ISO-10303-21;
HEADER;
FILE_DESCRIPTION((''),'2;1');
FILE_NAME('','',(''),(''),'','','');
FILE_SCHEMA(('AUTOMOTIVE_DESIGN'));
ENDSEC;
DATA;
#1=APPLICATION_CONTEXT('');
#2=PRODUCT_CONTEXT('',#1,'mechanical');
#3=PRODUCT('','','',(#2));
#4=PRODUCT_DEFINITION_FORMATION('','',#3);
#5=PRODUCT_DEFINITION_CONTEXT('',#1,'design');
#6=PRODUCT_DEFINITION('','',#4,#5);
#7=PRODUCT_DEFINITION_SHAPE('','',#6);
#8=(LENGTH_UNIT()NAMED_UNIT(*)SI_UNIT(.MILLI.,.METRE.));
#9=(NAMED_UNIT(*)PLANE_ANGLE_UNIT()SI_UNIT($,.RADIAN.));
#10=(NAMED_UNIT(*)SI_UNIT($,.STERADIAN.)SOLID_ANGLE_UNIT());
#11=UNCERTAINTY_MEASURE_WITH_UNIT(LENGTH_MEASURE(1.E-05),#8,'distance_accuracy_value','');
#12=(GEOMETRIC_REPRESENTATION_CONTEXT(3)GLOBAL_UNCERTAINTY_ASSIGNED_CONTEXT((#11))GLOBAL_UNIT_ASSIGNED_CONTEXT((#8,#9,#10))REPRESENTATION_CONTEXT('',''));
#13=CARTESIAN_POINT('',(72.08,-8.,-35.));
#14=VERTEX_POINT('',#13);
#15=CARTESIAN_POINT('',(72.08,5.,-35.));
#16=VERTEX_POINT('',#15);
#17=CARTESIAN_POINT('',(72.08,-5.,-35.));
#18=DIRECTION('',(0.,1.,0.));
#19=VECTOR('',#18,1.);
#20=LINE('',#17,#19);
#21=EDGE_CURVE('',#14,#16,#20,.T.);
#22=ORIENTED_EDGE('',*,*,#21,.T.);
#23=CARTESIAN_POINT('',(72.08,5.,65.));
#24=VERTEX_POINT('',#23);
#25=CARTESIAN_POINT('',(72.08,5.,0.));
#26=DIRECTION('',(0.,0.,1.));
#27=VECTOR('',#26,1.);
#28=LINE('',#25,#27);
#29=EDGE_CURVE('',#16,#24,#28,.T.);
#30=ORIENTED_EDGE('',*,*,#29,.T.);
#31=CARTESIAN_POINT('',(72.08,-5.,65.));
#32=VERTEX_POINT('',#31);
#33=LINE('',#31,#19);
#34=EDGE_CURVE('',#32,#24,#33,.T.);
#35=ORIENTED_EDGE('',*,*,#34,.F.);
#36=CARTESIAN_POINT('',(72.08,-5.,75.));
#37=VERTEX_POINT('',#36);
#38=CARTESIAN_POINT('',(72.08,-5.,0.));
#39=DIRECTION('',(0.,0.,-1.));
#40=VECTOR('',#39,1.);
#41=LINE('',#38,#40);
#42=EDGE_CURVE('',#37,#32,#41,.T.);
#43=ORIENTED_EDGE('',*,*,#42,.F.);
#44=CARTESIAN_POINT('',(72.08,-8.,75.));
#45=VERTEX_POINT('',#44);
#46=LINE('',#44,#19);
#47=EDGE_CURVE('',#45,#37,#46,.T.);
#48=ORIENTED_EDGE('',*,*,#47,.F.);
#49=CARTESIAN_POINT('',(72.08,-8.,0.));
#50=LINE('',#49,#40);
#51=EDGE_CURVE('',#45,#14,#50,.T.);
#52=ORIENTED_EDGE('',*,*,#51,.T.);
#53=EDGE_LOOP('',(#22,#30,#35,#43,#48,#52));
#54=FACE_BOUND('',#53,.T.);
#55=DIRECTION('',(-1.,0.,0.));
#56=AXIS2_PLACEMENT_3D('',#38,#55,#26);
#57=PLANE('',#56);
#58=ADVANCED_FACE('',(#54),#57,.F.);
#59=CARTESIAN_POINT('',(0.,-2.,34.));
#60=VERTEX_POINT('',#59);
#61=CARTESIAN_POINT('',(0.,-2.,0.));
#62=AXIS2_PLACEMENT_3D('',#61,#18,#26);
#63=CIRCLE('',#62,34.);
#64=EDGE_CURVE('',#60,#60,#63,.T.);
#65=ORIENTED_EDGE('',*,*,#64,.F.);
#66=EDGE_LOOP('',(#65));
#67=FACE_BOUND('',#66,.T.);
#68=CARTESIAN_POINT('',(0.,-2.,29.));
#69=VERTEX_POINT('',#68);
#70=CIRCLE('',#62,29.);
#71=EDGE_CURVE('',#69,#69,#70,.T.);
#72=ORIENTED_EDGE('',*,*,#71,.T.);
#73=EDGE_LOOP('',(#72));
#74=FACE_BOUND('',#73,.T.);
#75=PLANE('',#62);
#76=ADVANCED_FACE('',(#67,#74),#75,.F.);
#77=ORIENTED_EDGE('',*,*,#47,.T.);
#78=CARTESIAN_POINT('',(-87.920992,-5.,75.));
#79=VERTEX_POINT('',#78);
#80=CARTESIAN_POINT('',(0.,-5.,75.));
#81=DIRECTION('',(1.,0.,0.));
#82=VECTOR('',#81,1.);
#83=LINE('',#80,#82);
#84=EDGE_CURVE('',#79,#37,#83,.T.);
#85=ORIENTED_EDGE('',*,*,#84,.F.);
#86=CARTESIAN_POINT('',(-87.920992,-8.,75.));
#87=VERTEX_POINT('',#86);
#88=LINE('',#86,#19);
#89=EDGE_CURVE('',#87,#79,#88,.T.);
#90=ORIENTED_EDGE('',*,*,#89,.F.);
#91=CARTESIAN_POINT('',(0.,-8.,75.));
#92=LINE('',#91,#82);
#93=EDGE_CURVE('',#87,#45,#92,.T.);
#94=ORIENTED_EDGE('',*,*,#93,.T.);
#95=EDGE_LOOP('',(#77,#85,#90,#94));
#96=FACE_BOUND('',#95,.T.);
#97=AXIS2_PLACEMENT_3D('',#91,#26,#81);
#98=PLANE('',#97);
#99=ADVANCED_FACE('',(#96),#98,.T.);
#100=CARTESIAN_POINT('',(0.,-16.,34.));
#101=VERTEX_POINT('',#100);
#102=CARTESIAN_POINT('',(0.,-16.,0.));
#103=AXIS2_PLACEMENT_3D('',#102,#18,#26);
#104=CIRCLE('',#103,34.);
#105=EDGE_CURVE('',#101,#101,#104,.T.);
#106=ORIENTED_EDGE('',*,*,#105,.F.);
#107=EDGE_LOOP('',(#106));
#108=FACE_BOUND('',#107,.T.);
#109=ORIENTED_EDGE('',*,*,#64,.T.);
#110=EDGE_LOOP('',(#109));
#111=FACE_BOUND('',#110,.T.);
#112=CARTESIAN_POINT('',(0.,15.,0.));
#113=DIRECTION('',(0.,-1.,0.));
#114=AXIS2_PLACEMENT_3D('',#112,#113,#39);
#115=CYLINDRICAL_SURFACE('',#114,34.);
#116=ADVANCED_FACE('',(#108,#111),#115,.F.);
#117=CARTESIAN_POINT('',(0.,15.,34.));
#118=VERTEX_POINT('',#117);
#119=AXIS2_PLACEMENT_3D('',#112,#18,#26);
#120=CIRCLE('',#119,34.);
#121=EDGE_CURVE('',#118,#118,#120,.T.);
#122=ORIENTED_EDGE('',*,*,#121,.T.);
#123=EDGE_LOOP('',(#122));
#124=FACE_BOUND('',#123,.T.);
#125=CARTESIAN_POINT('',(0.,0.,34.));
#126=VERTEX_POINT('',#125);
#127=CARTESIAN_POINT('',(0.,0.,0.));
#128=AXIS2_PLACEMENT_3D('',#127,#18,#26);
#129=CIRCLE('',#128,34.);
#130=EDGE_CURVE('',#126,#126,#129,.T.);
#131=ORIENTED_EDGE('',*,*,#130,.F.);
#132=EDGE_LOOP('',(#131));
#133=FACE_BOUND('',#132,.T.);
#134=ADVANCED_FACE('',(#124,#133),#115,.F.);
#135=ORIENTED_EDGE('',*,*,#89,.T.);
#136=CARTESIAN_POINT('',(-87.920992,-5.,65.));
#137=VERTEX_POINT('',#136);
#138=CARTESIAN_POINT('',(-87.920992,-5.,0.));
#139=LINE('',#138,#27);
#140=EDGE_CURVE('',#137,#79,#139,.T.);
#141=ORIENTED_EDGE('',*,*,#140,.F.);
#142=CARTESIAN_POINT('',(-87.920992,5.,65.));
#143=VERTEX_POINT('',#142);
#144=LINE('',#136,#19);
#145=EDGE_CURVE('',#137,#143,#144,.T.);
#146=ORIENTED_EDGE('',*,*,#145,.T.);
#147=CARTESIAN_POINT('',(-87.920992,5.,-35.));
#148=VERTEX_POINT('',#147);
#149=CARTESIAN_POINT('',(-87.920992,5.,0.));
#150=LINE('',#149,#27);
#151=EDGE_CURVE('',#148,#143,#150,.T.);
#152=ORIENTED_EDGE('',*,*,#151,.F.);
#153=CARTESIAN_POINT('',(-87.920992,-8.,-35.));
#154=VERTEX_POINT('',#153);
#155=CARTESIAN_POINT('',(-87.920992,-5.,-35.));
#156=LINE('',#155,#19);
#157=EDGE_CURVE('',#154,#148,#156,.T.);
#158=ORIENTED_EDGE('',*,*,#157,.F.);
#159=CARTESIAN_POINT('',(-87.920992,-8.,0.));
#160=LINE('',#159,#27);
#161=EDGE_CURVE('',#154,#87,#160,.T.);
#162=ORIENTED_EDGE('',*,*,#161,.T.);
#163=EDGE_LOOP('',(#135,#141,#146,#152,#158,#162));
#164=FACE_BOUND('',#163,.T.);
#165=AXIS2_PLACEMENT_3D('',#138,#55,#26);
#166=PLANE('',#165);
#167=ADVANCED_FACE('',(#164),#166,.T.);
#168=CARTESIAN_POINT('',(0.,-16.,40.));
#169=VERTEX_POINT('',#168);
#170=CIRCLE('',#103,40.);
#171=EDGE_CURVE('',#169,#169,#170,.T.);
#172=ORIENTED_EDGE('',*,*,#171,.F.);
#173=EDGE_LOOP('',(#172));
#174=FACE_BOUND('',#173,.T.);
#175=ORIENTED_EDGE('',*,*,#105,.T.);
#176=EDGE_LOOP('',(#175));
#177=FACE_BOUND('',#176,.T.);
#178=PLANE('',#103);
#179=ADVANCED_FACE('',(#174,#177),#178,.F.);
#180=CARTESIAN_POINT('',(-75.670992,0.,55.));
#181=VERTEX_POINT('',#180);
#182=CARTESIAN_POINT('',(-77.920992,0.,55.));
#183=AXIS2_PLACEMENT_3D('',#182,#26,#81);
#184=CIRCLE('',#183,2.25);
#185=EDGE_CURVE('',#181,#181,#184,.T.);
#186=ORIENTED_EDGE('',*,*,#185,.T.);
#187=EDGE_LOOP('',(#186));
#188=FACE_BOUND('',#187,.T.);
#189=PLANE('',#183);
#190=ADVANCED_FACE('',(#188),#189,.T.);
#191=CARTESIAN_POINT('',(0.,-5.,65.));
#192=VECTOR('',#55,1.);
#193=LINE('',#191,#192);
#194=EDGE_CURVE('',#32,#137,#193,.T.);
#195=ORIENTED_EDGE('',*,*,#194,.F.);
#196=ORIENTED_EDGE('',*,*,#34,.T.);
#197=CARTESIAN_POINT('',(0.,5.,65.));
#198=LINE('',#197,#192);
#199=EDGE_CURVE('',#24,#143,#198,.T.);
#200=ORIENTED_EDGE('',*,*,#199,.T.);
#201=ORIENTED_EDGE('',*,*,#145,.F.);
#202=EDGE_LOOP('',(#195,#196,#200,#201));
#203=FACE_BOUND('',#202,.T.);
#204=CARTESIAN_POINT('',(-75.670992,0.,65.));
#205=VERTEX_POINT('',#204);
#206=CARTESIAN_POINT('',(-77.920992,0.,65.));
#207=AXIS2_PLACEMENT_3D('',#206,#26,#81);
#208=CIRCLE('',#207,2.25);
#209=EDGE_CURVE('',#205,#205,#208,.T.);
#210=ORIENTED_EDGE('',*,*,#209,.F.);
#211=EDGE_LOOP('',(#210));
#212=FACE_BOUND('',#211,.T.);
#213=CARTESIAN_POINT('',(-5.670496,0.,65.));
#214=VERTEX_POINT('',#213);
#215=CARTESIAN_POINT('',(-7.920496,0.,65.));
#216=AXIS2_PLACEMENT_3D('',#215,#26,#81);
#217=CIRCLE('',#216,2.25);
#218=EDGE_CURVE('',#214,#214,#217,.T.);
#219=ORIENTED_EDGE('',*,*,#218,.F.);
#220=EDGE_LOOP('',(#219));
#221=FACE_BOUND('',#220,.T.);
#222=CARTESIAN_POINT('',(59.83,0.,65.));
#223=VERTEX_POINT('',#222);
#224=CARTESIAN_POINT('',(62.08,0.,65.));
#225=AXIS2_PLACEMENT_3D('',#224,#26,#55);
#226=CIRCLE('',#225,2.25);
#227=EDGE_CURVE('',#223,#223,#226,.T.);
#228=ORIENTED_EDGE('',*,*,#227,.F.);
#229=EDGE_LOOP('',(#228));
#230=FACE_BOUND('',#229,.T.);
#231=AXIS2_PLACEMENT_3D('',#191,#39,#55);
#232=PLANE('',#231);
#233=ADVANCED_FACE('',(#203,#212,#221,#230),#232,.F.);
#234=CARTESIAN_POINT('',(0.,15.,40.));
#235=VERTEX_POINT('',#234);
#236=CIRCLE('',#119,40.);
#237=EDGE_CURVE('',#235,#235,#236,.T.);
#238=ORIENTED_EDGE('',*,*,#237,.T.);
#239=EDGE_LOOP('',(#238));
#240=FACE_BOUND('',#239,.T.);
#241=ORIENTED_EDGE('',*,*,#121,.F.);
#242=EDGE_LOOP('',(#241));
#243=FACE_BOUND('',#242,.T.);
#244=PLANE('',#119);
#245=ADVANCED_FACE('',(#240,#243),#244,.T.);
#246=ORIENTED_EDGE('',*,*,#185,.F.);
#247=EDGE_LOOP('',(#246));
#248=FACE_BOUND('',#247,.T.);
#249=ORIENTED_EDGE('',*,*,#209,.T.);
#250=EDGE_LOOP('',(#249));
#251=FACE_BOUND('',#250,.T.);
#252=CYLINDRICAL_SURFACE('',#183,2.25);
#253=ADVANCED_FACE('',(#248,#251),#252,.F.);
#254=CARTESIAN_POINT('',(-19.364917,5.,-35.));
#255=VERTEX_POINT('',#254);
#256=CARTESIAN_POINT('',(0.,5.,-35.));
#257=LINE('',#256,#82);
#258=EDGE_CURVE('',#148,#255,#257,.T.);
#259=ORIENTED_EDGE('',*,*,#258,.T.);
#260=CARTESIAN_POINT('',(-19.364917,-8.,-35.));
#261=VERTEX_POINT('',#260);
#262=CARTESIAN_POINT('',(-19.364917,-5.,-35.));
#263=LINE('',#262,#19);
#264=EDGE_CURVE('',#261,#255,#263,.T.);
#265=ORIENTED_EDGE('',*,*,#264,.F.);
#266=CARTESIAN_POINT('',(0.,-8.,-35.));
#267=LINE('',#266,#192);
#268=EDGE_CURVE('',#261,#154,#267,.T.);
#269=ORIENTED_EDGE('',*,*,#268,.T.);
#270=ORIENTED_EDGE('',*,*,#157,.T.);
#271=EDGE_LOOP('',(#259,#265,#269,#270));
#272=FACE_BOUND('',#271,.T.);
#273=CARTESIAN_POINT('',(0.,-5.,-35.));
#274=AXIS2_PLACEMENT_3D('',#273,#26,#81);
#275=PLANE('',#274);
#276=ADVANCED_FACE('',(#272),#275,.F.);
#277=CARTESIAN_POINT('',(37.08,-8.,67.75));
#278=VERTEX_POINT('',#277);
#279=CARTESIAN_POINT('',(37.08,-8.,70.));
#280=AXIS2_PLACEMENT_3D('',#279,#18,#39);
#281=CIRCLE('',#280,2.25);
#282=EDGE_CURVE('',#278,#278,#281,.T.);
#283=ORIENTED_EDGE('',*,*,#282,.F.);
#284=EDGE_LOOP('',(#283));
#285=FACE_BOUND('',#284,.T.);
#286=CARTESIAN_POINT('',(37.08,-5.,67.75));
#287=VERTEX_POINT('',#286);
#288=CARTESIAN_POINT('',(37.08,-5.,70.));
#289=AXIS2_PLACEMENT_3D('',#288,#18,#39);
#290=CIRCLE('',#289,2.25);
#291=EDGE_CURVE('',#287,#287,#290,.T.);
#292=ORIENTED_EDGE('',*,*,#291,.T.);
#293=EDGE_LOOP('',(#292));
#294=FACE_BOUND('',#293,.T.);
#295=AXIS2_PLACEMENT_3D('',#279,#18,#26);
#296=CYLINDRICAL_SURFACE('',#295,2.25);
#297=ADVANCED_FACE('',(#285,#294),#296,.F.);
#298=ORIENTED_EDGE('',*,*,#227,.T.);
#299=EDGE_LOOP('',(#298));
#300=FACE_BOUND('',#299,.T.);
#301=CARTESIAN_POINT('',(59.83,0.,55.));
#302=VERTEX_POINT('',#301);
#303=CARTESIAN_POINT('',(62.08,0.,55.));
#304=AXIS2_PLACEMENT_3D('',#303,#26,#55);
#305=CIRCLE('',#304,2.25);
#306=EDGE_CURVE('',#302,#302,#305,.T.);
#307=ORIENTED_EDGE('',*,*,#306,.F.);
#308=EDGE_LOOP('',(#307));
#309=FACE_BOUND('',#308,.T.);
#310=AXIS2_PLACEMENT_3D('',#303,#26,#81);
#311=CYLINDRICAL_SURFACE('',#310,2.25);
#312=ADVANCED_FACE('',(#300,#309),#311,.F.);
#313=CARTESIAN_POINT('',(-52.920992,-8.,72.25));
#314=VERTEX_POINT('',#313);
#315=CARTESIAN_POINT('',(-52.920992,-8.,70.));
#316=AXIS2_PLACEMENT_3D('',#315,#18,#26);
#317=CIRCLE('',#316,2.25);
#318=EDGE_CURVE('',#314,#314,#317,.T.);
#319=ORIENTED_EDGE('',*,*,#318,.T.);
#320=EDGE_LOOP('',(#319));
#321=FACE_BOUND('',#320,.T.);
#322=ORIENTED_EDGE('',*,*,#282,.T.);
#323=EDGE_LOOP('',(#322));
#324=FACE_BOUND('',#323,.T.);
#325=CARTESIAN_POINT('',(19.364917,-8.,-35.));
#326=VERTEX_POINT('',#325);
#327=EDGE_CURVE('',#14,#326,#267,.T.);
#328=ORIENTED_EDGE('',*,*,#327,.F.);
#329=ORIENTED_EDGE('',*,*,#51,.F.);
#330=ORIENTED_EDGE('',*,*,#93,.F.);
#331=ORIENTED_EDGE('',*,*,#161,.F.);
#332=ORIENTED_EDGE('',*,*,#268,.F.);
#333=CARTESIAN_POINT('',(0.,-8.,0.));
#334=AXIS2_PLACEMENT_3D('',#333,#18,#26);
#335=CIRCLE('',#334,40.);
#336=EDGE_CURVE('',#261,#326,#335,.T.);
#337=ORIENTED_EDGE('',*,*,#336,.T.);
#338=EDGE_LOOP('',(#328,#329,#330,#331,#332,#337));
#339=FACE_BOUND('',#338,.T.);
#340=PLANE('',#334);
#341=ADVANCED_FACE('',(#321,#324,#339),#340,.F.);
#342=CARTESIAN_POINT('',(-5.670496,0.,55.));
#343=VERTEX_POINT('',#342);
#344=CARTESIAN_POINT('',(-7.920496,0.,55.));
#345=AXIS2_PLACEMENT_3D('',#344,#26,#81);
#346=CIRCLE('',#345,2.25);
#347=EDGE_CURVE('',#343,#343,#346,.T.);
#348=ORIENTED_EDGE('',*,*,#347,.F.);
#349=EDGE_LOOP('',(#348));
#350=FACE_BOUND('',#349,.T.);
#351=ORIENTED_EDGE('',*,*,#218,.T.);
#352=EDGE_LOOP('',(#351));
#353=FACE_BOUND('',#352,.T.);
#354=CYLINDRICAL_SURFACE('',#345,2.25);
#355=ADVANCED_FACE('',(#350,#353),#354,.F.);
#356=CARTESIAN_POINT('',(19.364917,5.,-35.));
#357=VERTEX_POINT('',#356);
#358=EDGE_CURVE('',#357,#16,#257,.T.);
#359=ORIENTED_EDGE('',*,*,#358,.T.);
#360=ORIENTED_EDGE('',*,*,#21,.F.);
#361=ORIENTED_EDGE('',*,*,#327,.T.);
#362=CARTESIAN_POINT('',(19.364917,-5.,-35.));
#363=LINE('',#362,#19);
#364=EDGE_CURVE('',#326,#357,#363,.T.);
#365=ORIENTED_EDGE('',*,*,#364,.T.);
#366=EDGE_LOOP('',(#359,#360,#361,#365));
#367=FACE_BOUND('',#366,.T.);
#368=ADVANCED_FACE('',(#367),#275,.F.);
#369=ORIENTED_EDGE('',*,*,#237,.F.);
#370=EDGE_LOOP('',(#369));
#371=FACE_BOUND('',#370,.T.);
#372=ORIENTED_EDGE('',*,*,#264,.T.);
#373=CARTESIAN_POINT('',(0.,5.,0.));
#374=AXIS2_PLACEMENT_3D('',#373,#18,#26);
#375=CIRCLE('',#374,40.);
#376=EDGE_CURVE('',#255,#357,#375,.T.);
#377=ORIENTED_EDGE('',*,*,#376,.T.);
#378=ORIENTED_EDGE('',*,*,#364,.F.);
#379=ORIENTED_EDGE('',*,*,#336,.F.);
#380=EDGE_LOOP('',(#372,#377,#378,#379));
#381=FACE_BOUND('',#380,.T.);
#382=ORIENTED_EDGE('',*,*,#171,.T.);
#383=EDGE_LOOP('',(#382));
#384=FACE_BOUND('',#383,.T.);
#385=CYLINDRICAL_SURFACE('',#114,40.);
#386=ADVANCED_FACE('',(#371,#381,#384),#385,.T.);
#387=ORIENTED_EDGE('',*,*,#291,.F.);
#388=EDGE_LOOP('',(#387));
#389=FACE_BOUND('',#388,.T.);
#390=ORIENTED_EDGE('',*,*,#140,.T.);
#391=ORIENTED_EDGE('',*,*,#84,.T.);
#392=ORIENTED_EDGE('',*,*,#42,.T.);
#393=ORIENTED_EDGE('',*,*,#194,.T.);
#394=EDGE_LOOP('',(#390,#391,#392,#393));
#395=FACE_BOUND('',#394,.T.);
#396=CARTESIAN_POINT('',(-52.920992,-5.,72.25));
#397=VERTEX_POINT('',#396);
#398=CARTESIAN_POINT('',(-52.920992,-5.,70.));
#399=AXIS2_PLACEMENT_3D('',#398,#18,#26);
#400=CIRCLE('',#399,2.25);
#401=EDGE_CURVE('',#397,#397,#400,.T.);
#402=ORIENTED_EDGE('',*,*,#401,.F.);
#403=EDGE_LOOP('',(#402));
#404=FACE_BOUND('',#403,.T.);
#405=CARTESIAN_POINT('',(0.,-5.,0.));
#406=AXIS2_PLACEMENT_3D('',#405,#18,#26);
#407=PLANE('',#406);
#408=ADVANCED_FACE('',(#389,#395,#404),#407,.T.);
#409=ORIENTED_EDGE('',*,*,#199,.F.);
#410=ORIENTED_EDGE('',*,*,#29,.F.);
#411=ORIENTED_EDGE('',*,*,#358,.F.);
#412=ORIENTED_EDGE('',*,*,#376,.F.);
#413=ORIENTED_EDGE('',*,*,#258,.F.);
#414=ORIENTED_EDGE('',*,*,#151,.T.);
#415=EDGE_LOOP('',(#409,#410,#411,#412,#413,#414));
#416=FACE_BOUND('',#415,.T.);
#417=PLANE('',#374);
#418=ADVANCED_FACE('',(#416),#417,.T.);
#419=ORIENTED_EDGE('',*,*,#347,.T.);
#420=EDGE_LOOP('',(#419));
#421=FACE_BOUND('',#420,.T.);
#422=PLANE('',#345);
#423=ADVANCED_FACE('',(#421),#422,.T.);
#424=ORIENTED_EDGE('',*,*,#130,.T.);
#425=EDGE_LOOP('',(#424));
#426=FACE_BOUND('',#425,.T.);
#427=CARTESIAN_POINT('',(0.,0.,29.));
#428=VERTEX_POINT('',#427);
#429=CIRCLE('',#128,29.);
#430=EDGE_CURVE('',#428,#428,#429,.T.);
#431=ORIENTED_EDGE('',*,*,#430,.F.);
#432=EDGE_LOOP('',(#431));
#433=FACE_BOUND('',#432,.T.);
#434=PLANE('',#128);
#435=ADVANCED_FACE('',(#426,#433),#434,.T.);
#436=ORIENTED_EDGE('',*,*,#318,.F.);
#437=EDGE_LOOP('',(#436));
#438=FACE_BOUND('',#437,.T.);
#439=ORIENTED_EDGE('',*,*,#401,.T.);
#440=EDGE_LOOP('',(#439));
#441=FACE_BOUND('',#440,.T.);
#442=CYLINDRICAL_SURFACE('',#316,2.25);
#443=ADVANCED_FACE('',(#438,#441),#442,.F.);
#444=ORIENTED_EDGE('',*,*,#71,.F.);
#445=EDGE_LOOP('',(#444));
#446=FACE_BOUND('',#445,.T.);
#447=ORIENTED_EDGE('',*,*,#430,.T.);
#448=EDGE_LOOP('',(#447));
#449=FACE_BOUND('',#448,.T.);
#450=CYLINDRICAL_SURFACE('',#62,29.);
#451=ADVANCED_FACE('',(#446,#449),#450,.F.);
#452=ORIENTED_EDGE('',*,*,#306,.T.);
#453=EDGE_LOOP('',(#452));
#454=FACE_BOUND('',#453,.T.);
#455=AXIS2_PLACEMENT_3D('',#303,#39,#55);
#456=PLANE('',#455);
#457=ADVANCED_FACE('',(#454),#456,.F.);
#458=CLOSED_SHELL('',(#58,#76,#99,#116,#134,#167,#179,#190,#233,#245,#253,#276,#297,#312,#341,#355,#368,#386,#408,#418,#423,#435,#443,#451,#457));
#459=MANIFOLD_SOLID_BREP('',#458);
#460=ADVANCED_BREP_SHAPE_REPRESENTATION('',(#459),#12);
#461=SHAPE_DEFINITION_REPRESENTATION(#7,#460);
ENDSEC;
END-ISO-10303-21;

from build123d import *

# Parameters (mm, degrees)
SKETCH1_R                = 40
SKETCH1_R_2              = 34
BOSS_EXTRUDE1_DEPTH      = 15
SKETCH1_3_R              = 34
BOSS_EXTRUDE2_DEPTH      = 16
SKETCH1_4_R              = 34
SKETCH1_4_R_2            = 29
BOSS_EXTRUDE3_DEPTH      = 2
BOSS_EXTRUDE4_DEPTH      = 5
BOSS_EXTRUDE4_DEPTH_BACK = 5
SKETCH2_R                = 2.25
CUT_EXTRUDE1_DEPTH       = 10
BOSS_EXTRUDE5_START      = -10
BOSS_EXTRUDE5_DEPTH      = 3
SKETCH4_R                = 2.25
CUT_EXTRUDE3_DEPTH       = 3


with BuildPart() as part:
    # Sketch1 → Boss-Extrude1 (new body)
    with BuildSketch(Plane(origin=(0, 0, 0), x_dir=(1, 0, 0), z_dir=(0, 1, 0))):
        Circle(SKETCH1_R)
        Circle(SKETCH1_R_2, mode=Mode.SUBTRACT)
    extrude(amount=BOSS_EXTRUDE1_DEPTH)

    # Sketch1<3> → Boss-Extrude2 (add)
    with BuildSketch(Plane(origin=(0, 0, 0), x_dir=(1, 0, 0), z_dir=(0, 1, 0))):
        with BuildLine():
            ThreePointArc((19.364916731, 35), (0, 40), (-19.364916731, 35))
            ThreePointArc((-19.364916731, 35), (-20.315060063, -34.457195687), (40, 0))
            ThreePointArc((40, 0), (34.457195687, 20.315060063), (19.364916731, 35))
        make_face()
        Circle(SKETCH1_3_R, mode=Mode.SUBTRACT)
    extrude(amount=-BOSS_EXTRUDE2_DEPTH)

    # Sketch1<4> → Boss-Extrude3 (add)
    with BuildSketch(Plane(origin=(0, 0, 0), x_dir=(1, 0, 0), z_dir=(0, 1, 0))):
        Circle(SKETCH1_4_R)
        Circle(SKETCH1_4_R_2, mode=Mode.SUBTRACT)
    extrude(amount=-BOSS_EXTRUDE3_DEPTH)

    # Sketch1<5> → Boss-Extrude4 (add, two sides)
    with BuildSketch(Plane(origin=(0, 0, 0), x_dir=(1, 0, 0), z_dir=(0, 1, 0))) as boss_extrude4_sk:
        with BuildLine():
            Line((-19.364916731, 35), (-27.080992435, 35))
            Line((-27.080992435, 35), (-77.920992435, 35))
            Line((-77.920992435, 35), (-87.920992435, 35))
            Line((-87.920992435, 35), (-87.920992435, -65))
            Line((-87.920992435, -65), (-77.920992435, -65))
            Line((-77.920992435, -65), (0, -65))
            Line((0, -65), (72.08, -65))
            Line((72.08, -65), (72.08, 35))
            Line((72.08, 35), (37.080992435, 35))
            Line((37.080992435, 35), (19.364916731, 35))
            ThreePointArc((19.364916731, 35), (34.457195687, 20.315060063), (40, 0))
            ThreePointArc((40, 0), (-20.315060063, -34.457195687), (-19.364916731, 35))
        make_face()
    extrude(amount=BOSS_EXTRUDE4_DEPTH)
    extrude(boss_extrude4_sk.sketch, amount=-BOSS_EXTRUDE4_DEPTH_BACK)

    # Sketch2 → Cut-Extrude1 (cut)
    with BuildSketch(Plane.XY.offset(65)):
        with Locations((-77.920992435, 0)):
            Circle(SKETCH2_R)
        with Locations((-7.920496218, 0)):
            Circle(SKETCH2_R)
        with Locations((62.08, 0)):
            Circle(SKETCH2_R)
    extrude(amount=-CUT_EXTRUDE1_DEPTH, mode=Mode.SUBTRACT)

    # Sketch3 → Boss-Extrude5 (add)
    with BuildSketch(Plane(origin=(0, 5, 0), x_dir=(1, 0, 0), z_dir=(0, 1, 0)).offset(BOSS_EXTRUDE5_START)):
        with BuildLine():
            Line((19.364916731, 35), (62.079007565, 35))
            Line((62.079007565, 35), (72.08, 35))
            Line((72.08, 35), (72.08, -75))
            Line((72.08, -75), (62.079007565, -75))
            Line((62.079007565, -75), (-77.920992435, -75))
            Line((-77.920992435, -75), (-87.920992435, -75))
            Line((-87.920992435, -75), (-87.920992435, 35))
            Line((-87.920992435, 35), (-19.364916731, 35))
            ThreePointArc((-19.364916731, 35), (0, -40), (19.364916731, 35))
        make_face()
    extrude(amount=-BOSS_EXTRUDE5_DEPTH)

    # Sketch4 → Cut-Extrude3 (cut)
    with BuildSketch(Plane(origin=(0, -5, 0), x_dir=(-1, 0, 0), z_dir=(0, 1, 0))):
        with Locations((52.920992435, 70)):
            Circle(SKETCH4_R)
        with Locations((-37.08, 70)):
            Circle(SKETCH4_R)
    extrude(amount=-CUT_EXTRUDE3_DEPTH, mode=Mode.SUBTRACT)


solid = part.part
